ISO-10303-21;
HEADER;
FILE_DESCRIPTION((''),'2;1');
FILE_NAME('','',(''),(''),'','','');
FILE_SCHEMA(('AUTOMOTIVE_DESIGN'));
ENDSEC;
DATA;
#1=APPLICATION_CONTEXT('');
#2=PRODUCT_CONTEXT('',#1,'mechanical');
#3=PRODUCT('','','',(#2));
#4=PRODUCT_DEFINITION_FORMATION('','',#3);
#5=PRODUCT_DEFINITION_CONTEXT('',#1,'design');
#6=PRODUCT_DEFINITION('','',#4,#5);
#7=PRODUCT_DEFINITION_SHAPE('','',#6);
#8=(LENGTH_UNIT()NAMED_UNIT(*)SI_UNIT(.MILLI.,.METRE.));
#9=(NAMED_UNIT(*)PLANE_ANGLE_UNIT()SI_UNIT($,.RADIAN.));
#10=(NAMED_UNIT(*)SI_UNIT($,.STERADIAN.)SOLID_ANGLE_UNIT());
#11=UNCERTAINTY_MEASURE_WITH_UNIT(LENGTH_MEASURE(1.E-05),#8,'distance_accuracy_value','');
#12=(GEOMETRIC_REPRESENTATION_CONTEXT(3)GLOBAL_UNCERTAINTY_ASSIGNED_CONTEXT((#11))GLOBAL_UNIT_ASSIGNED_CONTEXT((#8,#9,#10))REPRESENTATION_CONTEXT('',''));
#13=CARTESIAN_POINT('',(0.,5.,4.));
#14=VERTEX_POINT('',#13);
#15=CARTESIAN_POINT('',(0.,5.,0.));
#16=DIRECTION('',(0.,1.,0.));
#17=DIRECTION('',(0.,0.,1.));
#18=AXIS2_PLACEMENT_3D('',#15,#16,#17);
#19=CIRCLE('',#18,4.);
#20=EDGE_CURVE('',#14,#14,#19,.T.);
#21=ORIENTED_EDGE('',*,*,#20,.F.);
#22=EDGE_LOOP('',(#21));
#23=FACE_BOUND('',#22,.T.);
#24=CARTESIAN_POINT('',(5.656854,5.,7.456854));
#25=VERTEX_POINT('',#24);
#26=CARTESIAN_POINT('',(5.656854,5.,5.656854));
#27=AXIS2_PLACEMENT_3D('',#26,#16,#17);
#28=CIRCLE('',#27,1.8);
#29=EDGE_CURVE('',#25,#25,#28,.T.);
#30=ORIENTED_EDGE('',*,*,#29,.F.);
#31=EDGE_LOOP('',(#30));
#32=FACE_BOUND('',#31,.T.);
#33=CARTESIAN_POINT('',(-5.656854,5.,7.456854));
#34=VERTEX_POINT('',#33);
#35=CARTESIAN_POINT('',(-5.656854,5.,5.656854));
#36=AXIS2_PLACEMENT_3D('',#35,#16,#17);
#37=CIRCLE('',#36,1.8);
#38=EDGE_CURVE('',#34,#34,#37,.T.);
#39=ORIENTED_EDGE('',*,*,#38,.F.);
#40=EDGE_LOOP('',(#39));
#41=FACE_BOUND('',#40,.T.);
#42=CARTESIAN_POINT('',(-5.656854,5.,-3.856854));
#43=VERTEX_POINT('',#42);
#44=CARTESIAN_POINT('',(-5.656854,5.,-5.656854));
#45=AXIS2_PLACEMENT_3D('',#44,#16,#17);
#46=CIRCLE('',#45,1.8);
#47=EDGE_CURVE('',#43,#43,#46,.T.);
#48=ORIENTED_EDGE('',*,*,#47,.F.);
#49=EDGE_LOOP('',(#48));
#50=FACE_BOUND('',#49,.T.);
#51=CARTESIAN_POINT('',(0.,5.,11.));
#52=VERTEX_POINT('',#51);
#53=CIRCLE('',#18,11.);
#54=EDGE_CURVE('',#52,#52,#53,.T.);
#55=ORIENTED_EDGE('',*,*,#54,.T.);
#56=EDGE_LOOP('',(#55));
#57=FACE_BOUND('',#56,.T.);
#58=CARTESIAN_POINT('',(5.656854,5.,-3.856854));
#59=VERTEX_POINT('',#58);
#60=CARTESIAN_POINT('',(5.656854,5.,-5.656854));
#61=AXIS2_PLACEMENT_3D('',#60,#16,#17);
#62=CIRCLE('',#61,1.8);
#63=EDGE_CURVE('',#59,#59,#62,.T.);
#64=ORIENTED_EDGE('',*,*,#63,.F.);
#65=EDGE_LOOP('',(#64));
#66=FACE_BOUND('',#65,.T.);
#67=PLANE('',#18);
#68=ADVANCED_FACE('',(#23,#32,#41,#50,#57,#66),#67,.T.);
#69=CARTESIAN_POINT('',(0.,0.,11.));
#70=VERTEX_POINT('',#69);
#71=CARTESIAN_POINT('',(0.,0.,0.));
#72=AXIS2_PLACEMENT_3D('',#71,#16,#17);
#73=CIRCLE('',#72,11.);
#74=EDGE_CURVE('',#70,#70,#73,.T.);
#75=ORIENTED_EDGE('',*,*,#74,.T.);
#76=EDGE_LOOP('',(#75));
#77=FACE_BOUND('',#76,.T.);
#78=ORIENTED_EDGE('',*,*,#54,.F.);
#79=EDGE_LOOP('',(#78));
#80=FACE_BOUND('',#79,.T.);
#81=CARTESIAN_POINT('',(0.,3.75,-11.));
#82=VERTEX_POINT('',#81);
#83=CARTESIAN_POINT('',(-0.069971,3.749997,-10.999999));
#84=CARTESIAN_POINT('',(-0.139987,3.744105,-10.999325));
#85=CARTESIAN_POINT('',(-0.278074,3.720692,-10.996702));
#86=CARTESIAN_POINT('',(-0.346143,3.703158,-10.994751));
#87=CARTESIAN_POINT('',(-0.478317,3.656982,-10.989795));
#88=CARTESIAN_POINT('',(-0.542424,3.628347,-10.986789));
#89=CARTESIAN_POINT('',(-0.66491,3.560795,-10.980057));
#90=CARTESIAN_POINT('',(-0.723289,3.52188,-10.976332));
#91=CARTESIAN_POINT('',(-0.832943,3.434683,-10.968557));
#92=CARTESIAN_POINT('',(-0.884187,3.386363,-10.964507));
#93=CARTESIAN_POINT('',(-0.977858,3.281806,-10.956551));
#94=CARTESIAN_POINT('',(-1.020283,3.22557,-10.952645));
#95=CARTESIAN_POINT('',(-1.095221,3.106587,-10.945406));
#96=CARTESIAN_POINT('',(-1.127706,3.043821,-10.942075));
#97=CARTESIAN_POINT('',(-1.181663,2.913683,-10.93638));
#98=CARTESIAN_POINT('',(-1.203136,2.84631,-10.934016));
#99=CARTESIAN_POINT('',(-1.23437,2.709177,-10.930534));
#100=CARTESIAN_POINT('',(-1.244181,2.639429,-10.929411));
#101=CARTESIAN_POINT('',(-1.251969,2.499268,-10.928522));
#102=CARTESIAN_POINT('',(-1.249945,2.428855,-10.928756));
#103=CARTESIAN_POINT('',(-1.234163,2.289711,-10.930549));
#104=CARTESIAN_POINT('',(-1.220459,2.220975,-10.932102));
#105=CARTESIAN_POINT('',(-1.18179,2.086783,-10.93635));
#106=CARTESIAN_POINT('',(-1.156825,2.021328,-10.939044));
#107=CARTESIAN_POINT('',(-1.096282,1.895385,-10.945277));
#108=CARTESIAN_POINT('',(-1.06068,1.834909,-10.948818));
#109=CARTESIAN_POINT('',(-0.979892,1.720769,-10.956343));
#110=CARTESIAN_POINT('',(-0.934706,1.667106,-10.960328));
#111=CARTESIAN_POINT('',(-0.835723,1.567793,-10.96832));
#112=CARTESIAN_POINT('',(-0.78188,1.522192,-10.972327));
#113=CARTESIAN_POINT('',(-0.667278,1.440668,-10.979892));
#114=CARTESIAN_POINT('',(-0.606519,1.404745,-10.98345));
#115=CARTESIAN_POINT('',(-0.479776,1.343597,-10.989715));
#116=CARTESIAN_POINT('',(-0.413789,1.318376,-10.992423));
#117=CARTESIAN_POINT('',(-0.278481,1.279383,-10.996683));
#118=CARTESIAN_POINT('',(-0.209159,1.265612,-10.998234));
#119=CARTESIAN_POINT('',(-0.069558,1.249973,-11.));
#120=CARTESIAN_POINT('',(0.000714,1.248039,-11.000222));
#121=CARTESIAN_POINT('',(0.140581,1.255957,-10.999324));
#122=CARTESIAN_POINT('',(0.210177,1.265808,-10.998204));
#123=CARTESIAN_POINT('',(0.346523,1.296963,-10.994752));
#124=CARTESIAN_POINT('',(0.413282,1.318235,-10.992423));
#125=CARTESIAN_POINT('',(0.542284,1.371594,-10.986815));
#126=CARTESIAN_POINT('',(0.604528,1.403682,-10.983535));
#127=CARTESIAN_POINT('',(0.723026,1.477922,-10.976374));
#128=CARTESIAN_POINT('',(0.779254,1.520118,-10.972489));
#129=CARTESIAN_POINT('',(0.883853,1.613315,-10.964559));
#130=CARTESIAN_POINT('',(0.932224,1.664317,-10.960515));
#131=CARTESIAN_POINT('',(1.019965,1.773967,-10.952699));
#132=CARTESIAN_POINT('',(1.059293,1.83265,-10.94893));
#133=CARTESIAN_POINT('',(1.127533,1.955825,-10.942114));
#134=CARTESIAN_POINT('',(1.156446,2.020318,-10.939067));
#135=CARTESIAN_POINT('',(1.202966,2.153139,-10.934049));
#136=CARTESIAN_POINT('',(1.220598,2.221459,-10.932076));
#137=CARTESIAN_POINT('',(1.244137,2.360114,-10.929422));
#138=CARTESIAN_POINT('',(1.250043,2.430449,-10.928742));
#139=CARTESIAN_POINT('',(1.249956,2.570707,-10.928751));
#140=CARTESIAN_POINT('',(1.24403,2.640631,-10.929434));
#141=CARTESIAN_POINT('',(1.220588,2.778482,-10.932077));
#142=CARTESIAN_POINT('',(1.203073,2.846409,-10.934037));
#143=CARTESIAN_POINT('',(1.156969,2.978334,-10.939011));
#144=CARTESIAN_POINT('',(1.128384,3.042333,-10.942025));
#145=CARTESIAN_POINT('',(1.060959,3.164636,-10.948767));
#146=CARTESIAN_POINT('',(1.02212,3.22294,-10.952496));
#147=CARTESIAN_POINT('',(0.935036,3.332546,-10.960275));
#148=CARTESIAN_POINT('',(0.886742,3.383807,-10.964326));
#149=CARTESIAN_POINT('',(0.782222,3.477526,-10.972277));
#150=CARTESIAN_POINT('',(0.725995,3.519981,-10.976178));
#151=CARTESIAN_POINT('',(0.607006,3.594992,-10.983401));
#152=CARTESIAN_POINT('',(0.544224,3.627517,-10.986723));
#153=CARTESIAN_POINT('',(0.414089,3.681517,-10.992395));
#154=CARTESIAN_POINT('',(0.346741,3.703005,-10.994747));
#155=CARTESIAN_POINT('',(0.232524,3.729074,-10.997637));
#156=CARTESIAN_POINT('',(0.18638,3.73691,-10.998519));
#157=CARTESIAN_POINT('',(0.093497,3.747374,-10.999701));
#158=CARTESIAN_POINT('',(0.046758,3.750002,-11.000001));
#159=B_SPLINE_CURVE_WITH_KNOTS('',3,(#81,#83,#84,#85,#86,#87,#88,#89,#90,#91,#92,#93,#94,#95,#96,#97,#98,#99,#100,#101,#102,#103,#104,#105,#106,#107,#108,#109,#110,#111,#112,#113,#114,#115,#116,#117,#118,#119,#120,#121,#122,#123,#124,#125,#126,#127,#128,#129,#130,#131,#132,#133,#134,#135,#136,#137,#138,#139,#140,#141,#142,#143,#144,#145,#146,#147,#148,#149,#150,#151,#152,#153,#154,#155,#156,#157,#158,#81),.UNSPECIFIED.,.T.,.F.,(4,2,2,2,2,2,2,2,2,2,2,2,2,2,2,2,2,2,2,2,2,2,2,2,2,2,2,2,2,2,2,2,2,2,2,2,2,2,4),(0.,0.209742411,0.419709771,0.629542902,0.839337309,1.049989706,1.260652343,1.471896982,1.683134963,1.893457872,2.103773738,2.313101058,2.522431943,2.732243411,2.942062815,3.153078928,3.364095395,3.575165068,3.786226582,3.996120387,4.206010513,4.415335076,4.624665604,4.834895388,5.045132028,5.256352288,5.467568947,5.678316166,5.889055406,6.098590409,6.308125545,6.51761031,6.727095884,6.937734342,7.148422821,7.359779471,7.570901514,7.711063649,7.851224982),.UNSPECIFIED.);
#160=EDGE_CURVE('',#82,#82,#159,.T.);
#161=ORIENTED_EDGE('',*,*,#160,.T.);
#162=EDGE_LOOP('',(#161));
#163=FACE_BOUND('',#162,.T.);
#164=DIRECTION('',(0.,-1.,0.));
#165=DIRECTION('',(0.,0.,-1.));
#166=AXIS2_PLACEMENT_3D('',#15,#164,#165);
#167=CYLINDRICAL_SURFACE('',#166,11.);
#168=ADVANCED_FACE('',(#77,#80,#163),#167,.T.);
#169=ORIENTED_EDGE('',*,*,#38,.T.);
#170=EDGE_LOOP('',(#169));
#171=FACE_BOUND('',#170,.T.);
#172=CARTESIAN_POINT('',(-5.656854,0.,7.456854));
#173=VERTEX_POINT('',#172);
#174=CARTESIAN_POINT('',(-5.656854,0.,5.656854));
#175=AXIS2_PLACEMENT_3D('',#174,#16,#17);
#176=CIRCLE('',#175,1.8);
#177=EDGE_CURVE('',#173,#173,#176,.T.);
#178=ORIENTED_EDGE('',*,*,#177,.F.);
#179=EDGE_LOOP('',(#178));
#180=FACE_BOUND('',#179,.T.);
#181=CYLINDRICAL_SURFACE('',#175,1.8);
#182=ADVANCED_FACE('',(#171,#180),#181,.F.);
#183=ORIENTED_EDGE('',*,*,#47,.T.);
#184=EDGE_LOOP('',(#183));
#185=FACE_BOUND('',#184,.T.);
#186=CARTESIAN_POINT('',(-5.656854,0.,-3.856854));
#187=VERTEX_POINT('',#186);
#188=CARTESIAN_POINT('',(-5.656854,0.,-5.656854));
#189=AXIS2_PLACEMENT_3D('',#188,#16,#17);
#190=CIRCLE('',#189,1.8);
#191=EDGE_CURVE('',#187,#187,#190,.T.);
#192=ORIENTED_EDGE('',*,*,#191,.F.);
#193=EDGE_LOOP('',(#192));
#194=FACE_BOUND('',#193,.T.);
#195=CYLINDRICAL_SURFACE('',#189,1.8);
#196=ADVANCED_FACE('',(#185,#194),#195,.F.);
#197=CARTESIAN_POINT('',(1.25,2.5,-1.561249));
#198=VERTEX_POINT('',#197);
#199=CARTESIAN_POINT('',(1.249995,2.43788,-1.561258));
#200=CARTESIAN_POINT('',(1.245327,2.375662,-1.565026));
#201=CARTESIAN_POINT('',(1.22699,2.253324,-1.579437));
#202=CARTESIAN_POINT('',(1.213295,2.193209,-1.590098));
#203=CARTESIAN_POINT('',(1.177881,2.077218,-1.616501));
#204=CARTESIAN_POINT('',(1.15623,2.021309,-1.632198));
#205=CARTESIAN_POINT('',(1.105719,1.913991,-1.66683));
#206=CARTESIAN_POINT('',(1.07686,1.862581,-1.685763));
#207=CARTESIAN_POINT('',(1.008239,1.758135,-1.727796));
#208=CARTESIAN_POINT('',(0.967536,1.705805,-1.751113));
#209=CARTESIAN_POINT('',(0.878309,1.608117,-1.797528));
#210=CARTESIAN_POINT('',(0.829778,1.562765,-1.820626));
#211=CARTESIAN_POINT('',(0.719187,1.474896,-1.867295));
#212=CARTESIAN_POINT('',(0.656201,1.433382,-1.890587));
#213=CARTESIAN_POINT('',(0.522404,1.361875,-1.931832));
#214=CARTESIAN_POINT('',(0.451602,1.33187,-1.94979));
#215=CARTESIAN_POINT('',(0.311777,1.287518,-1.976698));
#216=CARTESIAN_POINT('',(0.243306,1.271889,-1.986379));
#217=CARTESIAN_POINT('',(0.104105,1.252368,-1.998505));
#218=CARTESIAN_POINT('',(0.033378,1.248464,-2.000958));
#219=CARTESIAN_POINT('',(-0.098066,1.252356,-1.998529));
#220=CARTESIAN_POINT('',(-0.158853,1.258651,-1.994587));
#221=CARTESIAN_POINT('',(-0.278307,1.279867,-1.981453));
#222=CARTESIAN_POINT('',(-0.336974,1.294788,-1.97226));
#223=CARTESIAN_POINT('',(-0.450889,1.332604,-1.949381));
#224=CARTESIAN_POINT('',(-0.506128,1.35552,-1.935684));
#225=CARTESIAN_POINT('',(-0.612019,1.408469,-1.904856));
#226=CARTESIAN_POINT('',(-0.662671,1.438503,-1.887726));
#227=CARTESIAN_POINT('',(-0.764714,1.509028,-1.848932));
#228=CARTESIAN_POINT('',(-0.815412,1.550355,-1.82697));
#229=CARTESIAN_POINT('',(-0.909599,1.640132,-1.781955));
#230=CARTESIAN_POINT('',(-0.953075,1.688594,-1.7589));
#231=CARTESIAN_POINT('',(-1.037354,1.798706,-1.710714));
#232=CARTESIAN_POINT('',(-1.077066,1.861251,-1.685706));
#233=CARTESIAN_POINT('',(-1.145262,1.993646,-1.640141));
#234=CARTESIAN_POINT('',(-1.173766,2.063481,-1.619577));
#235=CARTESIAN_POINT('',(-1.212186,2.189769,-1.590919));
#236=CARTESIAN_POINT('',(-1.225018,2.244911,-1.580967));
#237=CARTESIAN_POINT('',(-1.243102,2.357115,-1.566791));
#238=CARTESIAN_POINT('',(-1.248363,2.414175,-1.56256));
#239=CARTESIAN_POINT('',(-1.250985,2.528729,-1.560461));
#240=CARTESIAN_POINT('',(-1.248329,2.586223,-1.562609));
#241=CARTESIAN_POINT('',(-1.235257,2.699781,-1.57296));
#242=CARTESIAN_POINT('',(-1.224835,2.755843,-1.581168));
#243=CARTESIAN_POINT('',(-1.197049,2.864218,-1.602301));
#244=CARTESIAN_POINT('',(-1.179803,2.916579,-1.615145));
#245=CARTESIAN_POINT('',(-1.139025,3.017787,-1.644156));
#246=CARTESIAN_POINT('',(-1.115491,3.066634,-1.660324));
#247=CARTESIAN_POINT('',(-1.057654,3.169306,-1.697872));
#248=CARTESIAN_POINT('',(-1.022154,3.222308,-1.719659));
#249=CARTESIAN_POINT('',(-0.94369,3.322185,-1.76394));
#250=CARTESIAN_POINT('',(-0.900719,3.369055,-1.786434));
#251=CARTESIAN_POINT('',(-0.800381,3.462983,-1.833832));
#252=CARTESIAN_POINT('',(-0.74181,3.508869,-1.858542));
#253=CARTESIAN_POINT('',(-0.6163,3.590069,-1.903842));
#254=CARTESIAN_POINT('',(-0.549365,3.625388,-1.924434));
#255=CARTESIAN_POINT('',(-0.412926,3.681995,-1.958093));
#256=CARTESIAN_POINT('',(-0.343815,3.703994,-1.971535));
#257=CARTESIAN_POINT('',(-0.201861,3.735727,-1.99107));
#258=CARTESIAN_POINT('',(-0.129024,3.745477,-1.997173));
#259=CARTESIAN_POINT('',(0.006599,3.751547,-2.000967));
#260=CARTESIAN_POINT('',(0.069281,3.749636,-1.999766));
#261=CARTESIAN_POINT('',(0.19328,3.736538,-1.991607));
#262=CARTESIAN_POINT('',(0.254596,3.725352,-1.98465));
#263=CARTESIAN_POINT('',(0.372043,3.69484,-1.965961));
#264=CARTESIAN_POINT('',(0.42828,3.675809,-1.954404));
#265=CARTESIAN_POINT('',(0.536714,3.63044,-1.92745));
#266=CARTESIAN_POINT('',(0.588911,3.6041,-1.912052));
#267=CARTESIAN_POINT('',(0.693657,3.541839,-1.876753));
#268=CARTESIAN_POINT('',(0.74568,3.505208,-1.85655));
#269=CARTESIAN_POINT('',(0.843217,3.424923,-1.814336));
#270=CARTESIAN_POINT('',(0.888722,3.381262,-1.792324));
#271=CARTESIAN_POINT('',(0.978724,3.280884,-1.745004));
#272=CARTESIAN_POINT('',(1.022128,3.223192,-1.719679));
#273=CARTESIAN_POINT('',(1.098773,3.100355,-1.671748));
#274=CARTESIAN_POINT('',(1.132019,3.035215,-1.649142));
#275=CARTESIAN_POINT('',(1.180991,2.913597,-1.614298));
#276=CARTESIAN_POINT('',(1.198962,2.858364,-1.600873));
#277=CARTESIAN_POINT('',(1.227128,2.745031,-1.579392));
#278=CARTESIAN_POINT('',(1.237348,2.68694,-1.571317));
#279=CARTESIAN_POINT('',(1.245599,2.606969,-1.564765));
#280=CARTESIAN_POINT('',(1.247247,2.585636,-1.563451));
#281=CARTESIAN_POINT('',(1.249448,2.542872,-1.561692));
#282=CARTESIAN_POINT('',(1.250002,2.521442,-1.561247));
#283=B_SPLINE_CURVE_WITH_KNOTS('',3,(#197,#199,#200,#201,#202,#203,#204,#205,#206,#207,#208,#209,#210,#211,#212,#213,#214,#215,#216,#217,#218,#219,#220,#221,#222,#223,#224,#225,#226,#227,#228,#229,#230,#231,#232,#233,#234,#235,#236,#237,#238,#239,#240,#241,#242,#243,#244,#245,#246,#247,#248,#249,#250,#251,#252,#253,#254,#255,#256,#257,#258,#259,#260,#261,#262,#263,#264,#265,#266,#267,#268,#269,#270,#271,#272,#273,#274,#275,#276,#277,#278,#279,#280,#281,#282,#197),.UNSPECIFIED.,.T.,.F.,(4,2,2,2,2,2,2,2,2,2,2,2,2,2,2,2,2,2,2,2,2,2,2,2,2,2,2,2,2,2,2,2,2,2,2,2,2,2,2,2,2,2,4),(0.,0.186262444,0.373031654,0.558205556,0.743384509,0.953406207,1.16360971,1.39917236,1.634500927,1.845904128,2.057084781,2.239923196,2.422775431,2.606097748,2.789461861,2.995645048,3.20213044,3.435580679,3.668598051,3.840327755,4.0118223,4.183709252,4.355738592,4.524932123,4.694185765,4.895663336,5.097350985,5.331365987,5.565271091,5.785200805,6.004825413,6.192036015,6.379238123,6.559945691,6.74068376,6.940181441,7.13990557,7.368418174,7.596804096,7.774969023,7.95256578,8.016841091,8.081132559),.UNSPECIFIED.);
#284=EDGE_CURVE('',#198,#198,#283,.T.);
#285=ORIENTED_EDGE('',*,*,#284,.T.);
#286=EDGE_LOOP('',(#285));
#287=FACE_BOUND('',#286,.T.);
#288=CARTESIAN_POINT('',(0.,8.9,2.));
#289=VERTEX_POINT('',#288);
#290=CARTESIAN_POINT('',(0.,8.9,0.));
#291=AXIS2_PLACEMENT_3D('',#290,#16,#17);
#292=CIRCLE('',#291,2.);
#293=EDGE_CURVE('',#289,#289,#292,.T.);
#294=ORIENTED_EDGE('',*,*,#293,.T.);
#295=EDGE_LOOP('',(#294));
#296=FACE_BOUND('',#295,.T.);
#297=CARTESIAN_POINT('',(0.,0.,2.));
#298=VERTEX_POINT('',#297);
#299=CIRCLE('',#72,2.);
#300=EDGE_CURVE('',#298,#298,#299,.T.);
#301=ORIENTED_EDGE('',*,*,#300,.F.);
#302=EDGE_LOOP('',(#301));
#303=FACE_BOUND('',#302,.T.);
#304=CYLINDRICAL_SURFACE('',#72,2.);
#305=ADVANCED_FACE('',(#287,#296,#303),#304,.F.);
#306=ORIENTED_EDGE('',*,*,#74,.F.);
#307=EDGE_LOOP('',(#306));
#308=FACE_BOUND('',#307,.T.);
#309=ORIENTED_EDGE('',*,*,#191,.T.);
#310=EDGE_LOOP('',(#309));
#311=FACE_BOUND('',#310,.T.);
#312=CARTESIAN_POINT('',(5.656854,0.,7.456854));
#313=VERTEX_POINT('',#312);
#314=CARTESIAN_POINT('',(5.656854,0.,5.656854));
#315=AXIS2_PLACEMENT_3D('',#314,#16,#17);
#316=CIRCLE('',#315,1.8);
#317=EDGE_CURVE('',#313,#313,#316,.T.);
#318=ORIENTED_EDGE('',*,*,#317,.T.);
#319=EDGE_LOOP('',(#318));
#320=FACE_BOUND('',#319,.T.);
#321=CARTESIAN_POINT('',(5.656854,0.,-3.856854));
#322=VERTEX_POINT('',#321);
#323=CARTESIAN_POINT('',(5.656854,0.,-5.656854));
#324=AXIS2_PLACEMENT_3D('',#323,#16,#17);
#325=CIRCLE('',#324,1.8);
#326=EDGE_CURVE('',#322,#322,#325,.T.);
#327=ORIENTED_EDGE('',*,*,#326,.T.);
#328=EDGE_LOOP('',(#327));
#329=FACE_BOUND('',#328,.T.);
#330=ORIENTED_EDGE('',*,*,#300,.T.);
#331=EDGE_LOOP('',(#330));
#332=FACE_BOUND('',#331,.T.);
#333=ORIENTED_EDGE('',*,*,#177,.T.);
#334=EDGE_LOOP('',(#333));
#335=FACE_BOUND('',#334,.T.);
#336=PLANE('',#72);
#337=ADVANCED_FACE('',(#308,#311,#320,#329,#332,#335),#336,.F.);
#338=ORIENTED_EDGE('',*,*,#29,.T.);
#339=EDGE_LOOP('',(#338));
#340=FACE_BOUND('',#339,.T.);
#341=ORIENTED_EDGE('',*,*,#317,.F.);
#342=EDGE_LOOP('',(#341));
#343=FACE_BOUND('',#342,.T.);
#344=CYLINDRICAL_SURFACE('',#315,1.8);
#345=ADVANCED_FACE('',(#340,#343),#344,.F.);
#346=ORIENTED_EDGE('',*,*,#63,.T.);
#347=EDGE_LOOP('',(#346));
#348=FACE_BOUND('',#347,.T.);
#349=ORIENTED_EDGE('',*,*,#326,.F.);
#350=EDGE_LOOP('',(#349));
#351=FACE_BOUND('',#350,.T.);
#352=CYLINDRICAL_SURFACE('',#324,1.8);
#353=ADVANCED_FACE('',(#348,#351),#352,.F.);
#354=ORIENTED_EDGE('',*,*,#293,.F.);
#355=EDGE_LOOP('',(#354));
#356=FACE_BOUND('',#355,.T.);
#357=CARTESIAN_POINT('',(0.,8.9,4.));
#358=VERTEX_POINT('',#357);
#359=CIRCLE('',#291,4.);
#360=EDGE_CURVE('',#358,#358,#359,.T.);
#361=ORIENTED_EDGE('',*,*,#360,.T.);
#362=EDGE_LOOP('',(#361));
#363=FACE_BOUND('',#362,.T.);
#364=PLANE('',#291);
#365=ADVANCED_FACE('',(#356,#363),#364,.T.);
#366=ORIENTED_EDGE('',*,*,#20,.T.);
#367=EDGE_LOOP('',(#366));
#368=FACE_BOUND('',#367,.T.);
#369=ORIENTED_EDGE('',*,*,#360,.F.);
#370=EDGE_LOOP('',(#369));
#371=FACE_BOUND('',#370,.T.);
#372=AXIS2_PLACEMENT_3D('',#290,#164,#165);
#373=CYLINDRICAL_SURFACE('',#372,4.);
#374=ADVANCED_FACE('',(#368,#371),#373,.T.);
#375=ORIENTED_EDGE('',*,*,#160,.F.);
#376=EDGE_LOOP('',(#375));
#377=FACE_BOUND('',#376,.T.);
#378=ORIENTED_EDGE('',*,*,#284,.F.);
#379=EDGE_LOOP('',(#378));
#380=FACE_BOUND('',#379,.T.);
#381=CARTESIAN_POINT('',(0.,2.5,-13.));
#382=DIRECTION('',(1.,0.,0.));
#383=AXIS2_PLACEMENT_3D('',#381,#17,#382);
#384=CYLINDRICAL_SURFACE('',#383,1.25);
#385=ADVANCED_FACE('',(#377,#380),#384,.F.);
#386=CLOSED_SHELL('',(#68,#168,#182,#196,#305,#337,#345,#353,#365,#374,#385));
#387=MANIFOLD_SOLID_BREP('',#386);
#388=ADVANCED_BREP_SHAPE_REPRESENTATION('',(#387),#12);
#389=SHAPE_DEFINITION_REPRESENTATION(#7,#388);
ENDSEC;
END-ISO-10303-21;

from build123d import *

# Parameters (mm, degrees)
SKETCH_1_R          = 11
EXTRUDE_1_DEPTH     = 5
SKETCH_2_R          = 4
EXTRUDE_2_DEPTH     = 3.9
SKETCH_3_R          = 1.8
CUT_EXTRUDE_1_DEPTH = 6
SKETCH_4_R          = 2
CUT_EXTRUDE_2_DEPTH = 9.9
SKETCH_6_R          = 1.25
CUT_EXTRUDE_3_DEPTH = 13


with BuildPart() as part:
    # 스케치1 → 보스-돌출1 (new body)
    with BuildSketch(Plane(origin=(0, 0, 0), x_dir=(1, 0, 0), z_dir=(0, 1, 0))):
        Circle(SKETCH_1_R)
    extrude(amount=EXTRUDE_1_DEPTH)

    # 스케치2 → 보스-돌출2 (add)
    with BuildSketch(Plane(origin=(0, 5, 0), x_dir=(1, 0, 0), z_dir=(0, 1, 0))):
        Circle(SKETCH_2_R)
    extrude(amount=EXTRUDE_2_DEPTH)

    # 스케치3 → 컷-돌출1 (cut, through all)
    with BuildSketch(Plane(origin=(0, 5, 0), x_dir=(1, 0, 0), z_dir=(0, 1, 0))):
        with Locations((5.656854249, 5.656854249)):
            Circle(SKETCH_3_R)
        with Locations((-5.656854249, -5.656854249)):
            Circle(SKETCH_3_R)
        with Locations((-5.656854249, 5.656854249)):
            Circle(SKETCH_3_R)
        with Locations((5.656854249, -5.656854249)):
            Circle(SKETCH_3_R)
    extrude(amount=-CUT_EXTRUDE_1_DEPTH, mode=Mode.SUBTRACT)

    # 스케치4 → 컷-돌출2 (cut, through all)
    with BuildSketch(Plane(origin=(0, 8.9, 0), x_dir=(1, 0, 0), z_dir=(0, 1, 0))):
        Circle(SKETCH_4_R)
    extrude(amount=-CUT_EXTRUDE_2_DEPTH, mode=Mode.SUBTRACT)

    # 스케치6 → 컷-돌출3 (cut)
    with BuildSketch(Plane.XY):
        with Locations((0, 2.5)):
            Circle(SKETCH_6_R)
    extrude(amount=-CUT_EXTRUDE_3_DEPTH, mode=Mode.SUBTRACT)


solid = part.part
